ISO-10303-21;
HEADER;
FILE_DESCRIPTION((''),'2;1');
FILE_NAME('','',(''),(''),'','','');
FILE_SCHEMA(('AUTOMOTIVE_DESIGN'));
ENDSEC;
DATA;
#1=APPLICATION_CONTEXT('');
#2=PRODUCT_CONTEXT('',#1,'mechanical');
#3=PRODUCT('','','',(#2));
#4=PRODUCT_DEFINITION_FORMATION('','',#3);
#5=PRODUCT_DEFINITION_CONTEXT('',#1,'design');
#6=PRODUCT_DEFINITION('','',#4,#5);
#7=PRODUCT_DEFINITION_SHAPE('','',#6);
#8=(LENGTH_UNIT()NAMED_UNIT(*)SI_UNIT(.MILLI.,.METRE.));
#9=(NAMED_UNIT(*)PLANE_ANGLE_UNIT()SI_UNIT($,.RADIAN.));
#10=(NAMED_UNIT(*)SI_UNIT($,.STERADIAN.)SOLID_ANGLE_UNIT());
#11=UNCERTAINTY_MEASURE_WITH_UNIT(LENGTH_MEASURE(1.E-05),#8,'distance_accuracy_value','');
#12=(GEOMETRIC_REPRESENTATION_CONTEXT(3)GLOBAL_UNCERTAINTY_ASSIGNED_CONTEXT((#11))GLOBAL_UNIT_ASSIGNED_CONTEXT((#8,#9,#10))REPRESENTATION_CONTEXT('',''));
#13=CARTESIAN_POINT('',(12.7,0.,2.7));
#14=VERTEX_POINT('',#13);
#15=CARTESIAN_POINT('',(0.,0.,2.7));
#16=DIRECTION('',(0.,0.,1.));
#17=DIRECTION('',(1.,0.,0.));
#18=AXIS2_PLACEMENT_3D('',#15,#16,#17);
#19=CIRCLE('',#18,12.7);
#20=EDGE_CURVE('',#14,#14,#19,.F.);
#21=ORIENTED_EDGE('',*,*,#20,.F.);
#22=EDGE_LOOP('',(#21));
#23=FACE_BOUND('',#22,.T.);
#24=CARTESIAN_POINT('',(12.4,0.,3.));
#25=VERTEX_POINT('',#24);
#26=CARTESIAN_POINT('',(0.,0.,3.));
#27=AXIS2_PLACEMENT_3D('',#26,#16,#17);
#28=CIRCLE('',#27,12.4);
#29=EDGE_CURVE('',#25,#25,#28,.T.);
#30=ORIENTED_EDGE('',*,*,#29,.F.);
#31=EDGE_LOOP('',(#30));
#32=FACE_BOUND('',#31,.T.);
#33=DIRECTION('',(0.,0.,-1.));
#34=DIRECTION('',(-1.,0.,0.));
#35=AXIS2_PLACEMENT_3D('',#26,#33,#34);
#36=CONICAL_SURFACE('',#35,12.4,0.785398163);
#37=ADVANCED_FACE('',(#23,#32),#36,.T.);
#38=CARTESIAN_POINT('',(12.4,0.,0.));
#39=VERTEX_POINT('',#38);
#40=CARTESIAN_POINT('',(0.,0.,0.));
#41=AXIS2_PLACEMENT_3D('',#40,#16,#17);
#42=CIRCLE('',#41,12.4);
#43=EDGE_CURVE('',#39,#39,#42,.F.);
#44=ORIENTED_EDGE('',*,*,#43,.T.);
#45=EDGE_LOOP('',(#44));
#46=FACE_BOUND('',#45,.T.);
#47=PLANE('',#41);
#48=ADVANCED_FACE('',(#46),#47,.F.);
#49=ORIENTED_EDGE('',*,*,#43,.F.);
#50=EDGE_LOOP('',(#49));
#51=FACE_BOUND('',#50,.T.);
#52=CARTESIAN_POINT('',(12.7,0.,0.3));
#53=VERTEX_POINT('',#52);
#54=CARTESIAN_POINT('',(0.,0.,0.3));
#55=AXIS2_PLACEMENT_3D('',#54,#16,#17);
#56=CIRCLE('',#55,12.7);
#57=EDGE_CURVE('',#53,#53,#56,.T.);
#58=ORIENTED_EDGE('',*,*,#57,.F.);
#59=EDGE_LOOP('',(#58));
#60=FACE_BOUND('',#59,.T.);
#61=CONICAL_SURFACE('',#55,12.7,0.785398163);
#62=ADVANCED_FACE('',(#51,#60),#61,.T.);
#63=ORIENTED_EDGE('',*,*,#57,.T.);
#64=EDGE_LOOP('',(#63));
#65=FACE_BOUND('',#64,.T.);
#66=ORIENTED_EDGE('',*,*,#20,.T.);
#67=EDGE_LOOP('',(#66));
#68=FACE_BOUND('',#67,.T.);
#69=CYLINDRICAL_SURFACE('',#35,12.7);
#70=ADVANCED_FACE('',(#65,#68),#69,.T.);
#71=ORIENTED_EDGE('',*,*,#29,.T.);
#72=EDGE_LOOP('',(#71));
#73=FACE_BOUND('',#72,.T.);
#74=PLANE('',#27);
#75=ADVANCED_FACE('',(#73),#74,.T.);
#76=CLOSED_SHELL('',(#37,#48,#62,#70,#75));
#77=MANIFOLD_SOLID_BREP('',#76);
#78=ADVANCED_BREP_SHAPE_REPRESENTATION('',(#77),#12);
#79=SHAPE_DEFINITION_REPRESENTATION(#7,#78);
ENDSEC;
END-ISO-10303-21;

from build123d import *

# Parameters (mm, degrees)
SKETCH_1_R      = 12.7
EXTRUDE_1_DEPTH = 3
CHAMFER_1_SIZE  = 0.3


with BuildPart() as part:
    # 草图1 → 凸台-拉伸1 (new body)
    with BuildSketch(Plane.XY):
        Circle(SKETCH_1_R)
    extrude(amount=EXTRUDE_1_DEPTH)

    # 倒角1
    chamfer_1_edges = [part.edges().sort_by_distance(p)[0] for p in [
        (-12.7, 0, 0),
        (-12.7, 0, 3),
    ]]
    chamfer(chamfer_1_edges, length=CHAMFER_1_SIZE)


solid = part.part
